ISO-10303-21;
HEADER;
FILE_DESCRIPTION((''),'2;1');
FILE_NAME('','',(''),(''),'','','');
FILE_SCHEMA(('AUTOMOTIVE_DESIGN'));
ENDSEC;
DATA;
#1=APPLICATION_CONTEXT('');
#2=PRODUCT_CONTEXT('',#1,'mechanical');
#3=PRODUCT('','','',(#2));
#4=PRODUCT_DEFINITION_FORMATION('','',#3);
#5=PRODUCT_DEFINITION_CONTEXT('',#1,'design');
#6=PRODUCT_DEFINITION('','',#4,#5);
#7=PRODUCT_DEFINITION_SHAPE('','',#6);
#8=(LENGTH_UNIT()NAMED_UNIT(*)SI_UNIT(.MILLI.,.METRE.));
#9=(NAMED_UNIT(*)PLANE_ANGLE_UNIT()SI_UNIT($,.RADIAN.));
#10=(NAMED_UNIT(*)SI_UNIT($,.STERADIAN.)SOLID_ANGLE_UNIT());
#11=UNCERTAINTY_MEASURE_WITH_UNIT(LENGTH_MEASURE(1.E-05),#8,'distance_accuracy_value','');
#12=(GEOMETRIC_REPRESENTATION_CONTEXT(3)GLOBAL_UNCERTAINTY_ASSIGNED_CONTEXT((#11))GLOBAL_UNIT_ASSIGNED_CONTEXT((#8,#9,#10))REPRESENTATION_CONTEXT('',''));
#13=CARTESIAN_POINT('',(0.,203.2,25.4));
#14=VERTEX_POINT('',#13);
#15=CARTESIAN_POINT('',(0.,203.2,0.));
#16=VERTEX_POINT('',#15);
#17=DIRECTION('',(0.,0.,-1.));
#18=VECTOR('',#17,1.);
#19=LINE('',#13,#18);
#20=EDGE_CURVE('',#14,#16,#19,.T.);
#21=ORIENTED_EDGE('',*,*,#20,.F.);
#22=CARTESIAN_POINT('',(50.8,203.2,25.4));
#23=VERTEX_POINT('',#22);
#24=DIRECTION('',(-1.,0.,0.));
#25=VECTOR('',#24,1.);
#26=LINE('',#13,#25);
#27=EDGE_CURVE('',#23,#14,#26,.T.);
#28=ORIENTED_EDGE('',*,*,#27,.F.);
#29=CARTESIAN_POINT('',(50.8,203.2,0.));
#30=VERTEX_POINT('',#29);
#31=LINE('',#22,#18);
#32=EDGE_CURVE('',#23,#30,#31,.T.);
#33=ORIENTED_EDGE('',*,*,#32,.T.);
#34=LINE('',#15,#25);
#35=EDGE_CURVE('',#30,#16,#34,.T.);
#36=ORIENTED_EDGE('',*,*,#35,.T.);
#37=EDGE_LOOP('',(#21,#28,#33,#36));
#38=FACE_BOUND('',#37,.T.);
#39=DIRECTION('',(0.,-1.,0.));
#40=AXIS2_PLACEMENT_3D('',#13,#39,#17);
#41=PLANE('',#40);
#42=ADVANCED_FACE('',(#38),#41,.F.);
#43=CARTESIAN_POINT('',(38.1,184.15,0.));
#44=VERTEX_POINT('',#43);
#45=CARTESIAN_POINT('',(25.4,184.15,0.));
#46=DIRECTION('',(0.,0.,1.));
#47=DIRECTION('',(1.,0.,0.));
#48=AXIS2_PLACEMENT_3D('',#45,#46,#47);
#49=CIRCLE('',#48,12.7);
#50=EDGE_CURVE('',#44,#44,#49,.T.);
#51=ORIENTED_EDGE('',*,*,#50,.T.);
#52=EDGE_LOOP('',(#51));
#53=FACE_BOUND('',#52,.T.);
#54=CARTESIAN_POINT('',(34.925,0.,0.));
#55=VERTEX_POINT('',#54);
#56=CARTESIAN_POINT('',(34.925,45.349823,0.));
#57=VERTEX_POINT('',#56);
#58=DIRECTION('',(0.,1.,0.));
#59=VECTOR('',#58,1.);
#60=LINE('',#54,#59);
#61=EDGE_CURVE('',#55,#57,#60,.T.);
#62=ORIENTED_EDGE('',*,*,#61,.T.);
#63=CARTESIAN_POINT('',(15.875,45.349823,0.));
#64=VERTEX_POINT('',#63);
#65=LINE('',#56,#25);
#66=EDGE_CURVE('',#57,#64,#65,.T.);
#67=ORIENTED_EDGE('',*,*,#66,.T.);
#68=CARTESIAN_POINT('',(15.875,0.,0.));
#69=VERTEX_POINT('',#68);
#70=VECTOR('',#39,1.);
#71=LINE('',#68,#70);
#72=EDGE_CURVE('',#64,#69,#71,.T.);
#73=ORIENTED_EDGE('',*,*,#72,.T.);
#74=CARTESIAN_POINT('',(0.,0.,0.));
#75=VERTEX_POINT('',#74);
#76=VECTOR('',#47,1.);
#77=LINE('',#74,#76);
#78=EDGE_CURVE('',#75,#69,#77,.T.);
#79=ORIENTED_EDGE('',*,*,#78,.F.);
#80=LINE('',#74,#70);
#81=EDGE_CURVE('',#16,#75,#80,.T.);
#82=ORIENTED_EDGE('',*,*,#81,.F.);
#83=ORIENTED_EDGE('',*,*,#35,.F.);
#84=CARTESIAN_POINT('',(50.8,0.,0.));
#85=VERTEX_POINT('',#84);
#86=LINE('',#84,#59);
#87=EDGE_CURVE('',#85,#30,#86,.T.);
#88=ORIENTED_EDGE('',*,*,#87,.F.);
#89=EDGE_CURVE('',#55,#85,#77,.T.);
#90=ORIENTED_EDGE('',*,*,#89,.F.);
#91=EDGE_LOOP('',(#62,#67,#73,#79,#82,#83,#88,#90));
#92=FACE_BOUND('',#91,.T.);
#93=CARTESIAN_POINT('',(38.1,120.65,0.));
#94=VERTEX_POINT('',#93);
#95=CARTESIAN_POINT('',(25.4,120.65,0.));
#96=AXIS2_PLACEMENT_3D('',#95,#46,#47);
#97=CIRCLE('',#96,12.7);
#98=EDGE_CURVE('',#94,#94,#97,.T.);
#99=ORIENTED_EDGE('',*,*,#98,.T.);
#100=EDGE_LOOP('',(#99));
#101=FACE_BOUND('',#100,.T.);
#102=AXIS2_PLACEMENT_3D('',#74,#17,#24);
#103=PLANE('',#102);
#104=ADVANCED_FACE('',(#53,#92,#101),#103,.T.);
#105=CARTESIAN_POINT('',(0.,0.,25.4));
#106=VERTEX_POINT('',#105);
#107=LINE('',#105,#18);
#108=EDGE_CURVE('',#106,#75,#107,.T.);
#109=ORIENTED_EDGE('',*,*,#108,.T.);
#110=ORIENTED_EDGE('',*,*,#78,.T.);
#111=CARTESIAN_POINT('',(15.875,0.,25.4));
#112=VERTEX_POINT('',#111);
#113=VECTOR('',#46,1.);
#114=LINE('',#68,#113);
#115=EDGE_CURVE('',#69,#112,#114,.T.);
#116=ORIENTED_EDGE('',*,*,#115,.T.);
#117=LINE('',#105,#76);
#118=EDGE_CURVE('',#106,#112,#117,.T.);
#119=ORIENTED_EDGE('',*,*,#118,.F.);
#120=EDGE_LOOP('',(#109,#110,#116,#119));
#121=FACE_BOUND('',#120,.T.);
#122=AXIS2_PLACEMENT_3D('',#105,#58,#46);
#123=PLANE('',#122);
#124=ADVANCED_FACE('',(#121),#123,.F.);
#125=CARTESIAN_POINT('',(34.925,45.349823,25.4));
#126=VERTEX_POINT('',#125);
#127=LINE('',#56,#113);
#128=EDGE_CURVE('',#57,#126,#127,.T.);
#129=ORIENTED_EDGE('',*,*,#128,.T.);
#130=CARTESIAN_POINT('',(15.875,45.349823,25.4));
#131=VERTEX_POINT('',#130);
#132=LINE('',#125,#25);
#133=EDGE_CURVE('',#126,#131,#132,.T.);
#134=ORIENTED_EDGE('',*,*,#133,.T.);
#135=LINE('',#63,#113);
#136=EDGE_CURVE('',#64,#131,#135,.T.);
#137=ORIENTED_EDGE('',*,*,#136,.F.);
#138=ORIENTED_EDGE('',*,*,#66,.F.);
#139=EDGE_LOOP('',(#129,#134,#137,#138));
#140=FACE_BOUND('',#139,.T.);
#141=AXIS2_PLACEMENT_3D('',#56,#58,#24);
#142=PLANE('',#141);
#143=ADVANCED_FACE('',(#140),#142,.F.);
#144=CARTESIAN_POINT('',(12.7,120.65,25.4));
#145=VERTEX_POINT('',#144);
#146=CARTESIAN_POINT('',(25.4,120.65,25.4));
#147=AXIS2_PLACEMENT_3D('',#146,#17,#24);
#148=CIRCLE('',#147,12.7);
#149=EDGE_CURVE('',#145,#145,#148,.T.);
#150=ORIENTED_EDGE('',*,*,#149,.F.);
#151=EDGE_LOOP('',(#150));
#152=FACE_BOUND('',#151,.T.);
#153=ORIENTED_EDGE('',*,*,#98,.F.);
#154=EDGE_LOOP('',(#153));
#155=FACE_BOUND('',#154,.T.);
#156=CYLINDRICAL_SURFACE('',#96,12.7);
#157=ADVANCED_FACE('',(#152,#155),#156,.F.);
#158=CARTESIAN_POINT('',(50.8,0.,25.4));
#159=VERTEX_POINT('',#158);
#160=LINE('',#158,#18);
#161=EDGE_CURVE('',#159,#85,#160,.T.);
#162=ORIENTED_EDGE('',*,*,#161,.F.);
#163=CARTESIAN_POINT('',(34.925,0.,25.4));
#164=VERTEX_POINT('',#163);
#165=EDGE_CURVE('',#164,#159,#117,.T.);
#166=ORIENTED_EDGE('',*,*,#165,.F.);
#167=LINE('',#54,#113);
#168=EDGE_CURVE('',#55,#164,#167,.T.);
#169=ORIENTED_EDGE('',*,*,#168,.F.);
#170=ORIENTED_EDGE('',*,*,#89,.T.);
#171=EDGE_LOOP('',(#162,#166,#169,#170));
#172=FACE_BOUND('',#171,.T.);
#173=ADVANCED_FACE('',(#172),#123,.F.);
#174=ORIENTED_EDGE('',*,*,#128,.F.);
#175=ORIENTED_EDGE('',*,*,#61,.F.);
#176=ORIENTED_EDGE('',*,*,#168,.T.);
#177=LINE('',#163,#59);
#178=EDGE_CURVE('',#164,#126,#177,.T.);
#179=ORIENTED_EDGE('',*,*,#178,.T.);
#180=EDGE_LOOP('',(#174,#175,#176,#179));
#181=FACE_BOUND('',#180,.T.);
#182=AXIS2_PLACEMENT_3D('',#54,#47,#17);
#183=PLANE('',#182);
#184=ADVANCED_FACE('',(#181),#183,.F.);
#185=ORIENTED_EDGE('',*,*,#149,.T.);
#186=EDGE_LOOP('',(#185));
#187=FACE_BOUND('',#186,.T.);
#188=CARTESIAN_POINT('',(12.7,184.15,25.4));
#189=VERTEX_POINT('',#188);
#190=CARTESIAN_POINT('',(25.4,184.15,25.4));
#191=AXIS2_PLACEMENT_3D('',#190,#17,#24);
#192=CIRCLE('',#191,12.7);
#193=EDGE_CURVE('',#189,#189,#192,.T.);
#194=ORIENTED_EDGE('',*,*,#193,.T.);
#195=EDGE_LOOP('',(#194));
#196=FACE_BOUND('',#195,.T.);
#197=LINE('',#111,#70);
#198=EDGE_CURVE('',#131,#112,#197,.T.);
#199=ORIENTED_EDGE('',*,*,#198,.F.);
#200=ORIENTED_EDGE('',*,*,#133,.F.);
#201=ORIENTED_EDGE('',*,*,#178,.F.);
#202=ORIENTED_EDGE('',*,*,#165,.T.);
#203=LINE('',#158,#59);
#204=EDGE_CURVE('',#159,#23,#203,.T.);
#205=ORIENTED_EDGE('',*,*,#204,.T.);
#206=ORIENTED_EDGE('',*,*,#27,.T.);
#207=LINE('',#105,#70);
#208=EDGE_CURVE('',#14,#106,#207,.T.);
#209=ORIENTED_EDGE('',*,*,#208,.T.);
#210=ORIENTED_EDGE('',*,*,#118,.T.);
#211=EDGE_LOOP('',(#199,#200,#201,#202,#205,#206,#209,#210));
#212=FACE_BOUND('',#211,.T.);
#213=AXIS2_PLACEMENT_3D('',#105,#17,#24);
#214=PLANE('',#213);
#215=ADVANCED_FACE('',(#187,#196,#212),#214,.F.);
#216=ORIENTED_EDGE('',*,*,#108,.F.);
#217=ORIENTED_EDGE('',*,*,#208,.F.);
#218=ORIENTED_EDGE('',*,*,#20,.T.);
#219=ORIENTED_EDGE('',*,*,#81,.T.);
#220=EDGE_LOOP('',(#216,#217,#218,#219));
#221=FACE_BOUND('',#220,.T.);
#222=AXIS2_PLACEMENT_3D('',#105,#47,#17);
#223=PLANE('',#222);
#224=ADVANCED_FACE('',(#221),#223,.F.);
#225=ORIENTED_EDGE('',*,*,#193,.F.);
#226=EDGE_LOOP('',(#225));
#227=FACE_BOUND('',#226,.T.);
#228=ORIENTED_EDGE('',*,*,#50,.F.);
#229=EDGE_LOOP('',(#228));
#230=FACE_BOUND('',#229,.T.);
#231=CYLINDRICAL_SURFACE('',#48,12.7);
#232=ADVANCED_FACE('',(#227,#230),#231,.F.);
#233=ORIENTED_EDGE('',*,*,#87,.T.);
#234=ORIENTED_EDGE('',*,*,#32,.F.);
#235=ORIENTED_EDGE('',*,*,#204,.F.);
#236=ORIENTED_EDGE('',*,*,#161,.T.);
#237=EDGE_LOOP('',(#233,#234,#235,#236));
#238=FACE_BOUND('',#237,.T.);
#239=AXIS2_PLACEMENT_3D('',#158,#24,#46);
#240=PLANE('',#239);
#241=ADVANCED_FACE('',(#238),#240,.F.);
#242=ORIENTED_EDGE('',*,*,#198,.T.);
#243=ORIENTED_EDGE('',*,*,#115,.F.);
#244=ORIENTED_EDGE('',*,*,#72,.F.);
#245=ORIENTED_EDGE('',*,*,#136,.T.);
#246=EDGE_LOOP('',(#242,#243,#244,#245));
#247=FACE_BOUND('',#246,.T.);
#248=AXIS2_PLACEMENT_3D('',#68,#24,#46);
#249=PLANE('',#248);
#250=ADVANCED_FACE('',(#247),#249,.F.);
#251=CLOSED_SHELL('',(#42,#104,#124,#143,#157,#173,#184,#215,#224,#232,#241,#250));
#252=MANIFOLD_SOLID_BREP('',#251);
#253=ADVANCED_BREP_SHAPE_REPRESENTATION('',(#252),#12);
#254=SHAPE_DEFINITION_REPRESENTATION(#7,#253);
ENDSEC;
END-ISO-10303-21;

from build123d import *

# Parameters (mm, degrees)
SKETCH1_W               = 50.8
SKETCH1_H               = 203.2
BOSS_EXTRUDE1_DEPTH     = 25.4
SKETCH2_R               = 12.7
CUT_EXTRUDE1_DEPTH      = 1
CUT_EXTRUDE1_DEPTH_BACK = 26.4
SKETCH3_R               = 6.35
CUT_EXTRUDE2_DEPTH      = 26.4
SKETCH4_W               = 19.05
SKETCH4_H               = 45.349823228
CUT_EXTRUDE3_DEPTH      = 26.4


with BuildPart() as part:
    # Sketch1 → Boss-Extrude1 (new body)
    with BuildSketch(Plane.XY):
        with Locations((25.4, 101.6)):
            Rectangle(SKETCH1_W, SKETCH1_H)
    extrude(amount=BOSS_EXTRUDE1_DEPTH)

    # Sketch2 → Cut-Extrude1 (cut, two sides)
    with BuildSketch(Plane.XY.offset(25.4)) as cut_extrude1_sk:
        with Locations((25.4, 184.15)):
            Circle(SKETCH2_R)
        with Locations((25.4, 120.65)):
            Circle(SKETCH2_R)
    extrude(amount=CUT_EXTRUDE1_DEPTH, mode=Mode.SUBTRACT)
    extrude(cut_extrude1_sk.sketch, amount=-CUT_EXTRUDE1_DEPTH_BACK, mode=Mode.SUBTRACT)

    # Sketch3 → Cut-Extrude2 (cut, through all)
    with BuildSketch(Plane.XY.offset(25.4)):
        with Locations((25.4, 25.4)):
            Circle(SKETCH3_R)
    extrude(amount=-CUT_EXTRUDE2_DEPTH, mode=Mode.SUBTRACT)

    # Sketch4 → Cut-Extrude3 (cut, through all)
    with BuildSketch(Plane.XY.offset(25.4)):
        with Locations((25.4, 22.674911614)):
            Rectangle(SKETCH4_W, SKETCH4_H)
    extrude(amount=-CUT_EXTRUDE3_DEPTH, mode=Mode.SUBTRACT)


solid = part.part
